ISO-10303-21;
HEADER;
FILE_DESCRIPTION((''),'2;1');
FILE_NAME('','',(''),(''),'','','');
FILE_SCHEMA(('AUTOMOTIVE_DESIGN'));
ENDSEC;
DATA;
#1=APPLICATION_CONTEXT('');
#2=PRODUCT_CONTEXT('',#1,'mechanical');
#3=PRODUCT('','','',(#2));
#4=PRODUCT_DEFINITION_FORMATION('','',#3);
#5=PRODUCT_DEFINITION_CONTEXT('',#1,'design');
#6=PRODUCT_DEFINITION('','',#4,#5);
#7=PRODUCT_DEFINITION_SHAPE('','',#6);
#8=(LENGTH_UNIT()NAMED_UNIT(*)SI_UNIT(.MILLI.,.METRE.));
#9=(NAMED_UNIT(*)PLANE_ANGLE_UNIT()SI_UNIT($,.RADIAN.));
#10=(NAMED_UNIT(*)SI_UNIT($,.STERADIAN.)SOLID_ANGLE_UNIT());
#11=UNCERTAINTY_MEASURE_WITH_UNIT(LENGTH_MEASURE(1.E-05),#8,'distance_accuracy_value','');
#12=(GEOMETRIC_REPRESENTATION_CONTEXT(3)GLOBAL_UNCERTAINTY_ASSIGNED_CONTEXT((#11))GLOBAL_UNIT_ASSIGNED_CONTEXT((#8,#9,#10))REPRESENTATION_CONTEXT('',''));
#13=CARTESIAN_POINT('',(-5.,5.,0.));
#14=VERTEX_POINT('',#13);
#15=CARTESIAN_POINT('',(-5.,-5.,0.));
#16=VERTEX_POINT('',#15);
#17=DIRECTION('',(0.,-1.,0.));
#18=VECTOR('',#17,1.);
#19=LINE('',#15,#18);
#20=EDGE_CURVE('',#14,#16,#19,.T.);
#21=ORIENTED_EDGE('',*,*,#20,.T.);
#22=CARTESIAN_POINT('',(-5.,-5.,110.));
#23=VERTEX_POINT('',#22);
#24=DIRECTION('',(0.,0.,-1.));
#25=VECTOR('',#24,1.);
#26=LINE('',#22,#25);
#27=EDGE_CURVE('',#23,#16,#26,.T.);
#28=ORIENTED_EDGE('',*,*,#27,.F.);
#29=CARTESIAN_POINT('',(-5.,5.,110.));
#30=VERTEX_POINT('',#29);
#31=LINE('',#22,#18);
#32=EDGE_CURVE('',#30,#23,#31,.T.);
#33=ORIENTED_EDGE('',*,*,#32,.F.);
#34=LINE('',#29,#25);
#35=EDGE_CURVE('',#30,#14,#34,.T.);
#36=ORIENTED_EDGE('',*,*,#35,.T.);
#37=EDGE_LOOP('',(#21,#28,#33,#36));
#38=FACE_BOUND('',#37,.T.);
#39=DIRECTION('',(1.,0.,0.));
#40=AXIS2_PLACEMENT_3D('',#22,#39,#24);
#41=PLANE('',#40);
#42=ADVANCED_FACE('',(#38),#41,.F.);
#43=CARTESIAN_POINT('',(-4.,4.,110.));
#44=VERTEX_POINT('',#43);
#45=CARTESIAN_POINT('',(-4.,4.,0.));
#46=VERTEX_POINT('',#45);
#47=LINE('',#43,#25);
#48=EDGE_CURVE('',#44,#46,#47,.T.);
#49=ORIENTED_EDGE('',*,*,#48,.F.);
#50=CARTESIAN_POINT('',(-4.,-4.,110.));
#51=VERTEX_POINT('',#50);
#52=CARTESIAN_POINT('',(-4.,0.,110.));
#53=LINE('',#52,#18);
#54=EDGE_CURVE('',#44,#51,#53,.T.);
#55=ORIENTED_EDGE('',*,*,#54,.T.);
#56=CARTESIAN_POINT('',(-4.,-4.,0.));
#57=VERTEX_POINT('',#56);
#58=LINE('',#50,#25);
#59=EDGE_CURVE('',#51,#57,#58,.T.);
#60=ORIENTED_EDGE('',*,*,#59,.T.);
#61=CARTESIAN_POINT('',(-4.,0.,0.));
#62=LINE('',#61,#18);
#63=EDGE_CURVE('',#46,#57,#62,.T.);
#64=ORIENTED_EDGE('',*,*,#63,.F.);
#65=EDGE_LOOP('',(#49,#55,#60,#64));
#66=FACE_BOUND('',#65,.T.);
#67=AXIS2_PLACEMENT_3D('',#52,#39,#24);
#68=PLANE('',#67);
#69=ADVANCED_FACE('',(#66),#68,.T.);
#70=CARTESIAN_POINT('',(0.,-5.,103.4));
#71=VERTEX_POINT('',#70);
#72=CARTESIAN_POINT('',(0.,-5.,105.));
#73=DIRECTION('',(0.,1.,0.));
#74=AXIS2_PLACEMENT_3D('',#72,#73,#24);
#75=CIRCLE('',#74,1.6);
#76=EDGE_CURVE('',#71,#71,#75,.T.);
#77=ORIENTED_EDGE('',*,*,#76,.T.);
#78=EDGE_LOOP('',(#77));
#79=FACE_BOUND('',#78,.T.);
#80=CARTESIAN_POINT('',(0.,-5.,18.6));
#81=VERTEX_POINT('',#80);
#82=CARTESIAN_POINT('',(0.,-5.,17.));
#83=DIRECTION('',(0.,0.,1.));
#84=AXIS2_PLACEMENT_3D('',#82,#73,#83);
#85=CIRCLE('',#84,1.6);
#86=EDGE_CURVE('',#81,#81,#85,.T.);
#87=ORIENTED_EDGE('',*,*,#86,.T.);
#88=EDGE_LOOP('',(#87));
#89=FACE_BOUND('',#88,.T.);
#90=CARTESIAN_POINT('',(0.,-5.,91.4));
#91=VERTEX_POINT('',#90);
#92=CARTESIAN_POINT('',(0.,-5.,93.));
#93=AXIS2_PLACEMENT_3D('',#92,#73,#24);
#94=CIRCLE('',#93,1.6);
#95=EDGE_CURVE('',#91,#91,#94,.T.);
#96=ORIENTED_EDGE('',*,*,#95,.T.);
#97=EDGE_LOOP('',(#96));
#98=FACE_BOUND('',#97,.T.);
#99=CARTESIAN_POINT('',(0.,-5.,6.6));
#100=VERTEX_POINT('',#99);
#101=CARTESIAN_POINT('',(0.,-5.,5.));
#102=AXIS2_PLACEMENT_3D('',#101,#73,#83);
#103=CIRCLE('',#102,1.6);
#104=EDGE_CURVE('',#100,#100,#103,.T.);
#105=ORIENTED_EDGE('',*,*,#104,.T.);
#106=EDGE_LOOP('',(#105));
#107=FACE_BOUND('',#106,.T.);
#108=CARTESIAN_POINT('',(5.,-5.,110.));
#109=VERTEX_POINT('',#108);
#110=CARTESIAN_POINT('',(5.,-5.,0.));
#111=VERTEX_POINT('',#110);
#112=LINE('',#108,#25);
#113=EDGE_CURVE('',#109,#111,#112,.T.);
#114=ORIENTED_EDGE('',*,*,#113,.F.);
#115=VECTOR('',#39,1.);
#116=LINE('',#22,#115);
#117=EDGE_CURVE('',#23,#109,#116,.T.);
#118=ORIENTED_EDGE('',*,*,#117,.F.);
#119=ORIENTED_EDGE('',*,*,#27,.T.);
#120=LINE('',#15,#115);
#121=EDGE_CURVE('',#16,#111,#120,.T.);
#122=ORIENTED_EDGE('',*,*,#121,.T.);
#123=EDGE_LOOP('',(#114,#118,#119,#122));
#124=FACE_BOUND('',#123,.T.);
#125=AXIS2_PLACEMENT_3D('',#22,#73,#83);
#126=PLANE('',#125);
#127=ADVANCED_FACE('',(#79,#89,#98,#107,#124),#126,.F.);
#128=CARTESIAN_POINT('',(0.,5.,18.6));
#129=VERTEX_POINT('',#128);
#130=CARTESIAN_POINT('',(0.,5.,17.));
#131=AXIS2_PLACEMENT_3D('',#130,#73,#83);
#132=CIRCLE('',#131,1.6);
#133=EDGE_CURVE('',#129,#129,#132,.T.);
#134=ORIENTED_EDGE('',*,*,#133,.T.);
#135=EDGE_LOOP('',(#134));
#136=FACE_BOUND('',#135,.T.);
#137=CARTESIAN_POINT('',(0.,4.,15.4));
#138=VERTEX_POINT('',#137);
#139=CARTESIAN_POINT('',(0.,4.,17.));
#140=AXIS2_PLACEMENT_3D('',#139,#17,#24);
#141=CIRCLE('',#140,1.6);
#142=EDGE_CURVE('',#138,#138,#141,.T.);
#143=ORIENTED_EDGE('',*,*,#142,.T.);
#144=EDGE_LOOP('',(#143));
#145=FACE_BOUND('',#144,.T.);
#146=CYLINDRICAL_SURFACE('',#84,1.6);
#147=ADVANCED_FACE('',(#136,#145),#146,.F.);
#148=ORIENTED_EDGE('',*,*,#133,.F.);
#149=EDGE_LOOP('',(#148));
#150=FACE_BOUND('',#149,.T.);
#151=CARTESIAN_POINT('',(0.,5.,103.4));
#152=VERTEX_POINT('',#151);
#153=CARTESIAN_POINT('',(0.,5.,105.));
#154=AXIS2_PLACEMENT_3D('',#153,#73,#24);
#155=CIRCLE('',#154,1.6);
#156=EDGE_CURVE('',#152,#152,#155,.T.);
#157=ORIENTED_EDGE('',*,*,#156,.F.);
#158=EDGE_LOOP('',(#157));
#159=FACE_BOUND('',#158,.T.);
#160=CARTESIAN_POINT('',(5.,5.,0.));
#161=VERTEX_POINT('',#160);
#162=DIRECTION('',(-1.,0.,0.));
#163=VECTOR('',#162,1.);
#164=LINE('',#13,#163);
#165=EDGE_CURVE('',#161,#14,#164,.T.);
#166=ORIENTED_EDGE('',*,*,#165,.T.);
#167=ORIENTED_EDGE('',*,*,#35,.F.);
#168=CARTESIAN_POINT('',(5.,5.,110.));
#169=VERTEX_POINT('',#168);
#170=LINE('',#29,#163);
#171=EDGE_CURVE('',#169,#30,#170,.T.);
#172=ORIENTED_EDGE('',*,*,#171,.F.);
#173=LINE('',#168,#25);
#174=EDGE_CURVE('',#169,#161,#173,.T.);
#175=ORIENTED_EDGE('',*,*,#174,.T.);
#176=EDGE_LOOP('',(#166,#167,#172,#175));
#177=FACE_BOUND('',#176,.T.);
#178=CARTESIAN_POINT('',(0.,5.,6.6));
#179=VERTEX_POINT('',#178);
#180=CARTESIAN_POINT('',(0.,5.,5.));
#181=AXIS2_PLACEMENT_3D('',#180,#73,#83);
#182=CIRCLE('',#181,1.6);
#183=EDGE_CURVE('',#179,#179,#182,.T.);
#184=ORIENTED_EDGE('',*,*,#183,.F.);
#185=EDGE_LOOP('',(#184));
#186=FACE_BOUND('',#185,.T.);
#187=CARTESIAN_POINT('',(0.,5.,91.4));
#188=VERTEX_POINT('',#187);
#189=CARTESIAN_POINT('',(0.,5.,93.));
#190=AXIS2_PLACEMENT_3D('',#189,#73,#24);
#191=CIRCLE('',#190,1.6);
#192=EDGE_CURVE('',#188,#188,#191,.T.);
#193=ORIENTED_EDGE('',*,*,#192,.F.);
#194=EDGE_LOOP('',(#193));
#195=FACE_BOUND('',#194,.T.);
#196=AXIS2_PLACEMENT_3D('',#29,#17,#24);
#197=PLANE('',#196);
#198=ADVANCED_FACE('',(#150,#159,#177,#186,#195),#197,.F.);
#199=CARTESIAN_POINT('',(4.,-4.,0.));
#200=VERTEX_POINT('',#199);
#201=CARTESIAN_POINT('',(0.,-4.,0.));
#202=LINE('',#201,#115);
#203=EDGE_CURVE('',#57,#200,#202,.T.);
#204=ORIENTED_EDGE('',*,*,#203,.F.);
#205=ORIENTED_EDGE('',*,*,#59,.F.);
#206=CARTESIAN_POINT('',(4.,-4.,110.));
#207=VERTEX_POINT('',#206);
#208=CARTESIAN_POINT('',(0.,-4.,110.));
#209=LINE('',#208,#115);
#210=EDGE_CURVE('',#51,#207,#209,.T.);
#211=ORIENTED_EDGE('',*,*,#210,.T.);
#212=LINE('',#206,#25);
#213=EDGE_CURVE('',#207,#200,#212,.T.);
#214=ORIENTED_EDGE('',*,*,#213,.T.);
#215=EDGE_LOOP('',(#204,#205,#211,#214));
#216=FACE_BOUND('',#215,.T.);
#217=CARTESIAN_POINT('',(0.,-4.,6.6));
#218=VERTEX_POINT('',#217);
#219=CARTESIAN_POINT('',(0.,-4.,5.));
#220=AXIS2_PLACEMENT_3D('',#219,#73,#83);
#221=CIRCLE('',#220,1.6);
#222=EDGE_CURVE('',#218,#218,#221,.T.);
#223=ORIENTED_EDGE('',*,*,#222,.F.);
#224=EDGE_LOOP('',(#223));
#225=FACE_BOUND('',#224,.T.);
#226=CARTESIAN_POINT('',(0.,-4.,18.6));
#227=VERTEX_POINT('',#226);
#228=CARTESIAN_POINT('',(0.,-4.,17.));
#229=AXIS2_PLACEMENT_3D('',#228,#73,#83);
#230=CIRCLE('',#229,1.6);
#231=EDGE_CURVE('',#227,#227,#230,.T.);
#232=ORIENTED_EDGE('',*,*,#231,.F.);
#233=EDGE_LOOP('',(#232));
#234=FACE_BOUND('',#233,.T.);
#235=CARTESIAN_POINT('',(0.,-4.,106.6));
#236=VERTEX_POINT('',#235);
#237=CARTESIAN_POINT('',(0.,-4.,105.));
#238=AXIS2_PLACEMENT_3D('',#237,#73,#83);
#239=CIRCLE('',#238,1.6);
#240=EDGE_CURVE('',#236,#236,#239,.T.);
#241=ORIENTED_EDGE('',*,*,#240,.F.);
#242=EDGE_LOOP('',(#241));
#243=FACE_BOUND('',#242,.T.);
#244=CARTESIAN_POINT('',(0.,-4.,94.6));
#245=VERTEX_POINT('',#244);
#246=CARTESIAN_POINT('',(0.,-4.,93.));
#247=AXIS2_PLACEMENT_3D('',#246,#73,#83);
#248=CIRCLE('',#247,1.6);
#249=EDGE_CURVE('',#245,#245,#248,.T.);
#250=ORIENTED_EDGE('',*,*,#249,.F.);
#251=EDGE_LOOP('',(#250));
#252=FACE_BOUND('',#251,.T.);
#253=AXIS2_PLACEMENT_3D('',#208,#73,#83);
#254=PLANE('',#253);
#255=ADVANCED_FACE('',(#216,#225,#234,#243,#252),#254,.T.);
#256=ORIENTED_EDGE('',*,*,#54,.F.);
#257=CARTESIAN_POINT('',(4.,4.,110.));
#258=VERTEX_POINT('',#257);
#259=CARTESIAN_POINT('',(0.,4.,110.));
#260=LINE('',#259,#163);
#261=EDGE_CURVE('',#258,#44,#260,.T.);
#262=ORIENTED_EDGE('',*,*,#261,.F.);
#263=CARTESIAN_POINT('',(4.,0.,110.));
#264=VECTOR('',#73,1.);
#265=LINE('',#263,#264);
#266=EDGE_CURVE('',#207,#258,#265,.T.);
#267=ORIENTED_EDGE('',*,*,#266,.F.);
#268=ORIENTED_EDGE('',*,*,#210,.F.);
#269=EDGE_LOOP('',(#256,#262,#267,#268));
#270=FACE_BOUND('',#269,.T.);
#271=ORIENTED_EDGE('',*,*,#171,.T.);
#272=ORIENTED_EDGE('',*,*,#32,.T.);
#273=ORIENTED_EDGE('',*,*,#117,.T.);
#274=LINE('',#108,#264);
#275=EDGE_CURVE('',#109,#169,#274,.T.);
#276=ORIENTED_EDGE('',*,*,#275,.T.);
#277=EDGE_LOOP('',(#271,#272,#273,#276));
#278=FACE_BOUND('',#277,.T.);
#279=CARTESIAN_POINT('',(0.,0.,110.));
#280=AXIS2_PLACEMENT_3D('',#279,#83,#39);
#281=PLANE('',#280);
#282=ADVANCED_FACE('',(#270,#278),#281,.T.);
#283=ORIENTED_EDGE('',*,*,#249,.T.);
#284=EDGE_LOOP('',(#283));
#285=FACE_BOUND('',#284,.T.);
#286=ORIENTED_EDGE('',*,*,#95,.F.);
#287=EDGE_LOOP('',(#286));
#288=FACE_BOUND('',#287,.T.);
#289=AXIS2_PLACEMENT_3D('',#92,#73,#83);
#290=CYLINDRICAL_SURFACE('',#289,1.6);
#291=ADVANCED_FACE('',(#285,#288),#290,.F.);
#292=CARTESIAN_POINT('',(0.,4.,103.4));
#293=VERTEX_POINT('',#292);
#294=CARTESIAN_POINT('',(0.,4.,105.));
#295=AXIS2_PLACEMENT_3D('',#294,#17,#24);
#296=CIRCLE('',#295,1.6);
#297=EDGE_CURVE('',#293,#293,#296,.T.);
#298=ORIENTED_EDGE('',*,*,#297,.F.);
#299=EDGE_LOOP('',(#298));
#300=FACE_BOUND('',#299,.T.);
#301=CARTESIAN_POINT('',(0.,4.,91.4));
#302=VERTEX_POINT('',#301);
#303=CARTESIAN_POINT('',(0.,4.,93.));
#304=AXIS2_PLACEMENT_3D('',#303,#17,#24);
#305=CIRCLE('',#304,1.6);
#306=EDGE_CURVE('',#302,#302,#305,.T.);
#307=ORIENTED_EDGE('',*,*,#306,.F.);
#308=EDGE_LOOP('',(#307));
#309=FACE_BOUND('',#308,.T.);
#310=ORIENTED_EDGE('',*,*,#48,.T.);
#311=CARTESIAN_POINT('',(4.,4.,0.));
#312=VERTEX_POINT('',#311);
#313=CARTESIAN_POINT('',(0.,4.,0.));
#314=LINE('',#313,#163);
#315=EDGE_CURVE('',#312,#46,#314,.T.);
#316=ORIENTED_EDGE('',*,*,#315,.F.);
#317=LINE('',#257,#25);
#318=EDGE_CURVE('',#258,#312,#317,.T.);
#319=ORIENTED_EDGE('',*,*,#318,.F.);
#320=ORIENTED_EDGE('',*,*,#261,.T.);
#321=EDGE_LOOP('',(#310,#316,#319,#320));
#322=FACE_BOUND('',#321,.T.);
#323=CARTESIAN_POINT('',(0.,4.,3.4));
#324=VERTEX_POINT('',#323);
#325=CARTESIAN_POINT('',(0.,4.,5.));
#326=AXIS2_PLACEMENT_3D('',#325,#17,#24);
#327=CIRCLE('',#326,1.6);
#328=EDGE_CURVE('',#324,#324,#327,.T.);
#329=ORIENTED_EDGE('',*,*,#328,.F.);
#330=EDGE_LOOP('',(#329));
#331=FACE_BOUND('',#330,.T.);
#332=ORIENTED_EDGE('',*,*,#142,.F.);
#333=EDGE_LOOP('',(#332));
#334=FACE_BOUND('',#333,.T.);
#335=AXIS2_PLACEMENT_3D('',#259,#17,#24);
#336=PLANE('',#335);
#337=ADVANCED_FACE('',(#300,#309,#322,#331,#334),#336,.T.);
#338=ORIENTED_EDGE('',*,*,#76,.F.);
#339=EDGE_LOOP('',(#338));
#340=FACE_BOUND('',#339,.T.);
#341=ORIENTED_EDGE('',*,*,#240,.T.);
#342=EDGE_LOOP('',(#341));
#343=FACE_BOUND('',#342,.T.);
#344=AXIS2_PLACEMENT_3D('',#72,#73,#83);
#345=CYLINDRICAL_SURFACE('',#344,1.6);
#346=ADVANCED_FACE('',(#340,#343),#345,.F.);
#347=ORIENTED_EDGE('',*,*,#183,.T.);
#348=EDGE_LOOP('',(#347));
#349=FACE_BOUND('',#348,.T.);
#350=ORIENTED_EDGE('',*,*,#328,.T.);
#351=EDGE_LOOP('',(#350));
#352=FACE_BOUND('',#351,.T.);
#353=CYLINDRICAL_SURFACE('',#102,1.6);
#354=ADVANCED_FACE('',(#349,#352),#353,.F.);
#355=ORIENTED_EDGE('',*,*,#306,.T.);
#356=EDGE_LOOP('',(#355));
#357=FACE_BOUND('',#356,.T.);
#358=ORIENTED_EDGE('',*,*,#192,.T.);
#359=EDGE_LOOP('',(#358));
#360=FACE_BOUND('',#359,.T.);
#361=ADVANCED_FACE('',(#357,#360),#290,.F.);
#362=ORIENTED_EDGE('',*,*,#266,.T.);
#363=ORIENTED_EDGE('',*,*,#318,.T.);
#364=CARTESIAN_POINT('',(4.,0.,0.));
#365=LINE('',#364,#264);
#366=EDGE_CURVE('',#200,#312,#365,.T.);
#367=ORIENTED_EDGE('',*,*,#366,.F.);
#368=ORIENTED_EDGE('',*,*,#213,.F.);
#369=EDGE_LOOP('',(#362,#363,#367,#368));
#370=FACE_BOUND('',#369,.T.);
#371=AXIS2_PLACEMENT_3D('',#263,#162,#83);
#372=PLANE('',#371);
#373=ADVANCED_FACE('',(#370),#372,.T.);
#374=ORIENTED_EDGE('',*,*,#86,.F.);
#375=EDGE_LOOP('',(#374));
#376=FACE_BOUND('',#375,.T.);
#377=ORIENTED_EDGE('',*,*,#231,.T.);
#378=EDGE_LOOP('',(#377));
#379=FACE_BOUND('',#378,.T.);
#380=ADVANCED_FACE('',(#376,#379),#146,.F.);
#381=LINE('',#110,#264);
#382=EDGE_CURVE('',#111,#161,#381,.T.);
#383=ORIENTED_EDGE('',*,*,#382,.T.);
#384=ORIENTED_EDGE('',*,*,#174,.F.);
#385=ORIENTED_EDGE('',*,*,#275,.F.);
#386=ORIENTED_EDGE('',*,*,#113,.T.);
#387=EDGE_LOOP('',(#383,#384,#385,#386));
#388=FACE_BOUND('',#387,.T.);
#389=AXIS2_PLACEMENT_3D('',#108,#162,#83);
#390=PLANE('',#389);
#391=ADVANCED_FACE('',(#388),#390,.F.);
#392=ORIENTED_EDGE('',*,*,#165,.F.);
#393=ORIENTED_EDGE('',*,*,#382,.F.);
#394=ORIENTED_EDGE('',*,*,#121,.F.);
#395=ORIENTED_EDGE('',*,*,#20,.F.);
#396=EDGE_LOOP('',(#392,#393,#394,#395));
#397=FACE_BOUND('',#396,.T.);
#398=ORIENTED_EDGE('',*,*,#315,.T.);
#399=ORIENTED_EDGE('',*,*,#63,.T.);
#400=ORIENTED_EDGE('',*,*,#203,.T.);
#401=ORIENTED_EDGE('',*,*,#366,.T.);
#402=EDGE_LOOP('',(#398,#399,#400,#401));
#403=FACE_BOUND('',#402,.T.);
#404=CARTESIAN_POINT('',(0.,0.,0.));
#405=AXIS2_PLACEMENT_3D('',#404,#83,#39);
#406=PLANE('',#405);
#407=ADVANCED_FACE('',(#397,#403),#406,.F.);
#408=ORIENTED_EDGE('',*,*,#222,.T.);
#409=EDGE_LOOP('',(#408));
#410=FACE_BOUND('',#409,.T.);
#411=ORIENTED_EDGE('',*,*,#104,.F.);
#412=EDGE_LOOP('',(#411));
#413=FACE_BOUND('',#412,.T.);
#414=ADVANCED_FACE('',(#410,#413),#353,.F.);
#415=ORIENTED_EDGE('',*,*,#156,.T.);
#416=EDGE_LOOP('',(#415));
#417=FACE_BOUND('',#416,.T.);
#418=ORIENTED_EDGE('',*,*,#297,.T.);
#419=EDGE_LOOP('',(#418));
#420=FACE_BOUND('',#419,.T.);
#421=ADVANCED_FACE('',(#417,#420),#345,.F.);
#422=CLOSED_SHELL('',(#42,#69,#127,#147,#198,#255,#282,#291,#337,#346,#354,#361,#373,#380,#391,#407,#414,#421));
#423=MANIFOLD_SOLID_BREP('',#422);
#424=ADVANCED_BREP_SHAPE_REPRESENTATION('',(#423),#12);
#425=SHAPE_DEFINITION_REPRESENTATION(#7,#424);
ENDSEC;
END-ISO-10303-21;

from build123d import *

# Parameters (mm, degrees)
SKETCH_282_W          = 10
SKETCH_282_H          = 10
SKETCH_282_W_2        = 8
SKETCH_282_H_2        = 8
EXTRUDE_339_DEPTH     = 110
SKETCH_411_R          = 1.6
CUT_EXTRUDE_780_DEPTH = 111.566721937


with BuildPart() as part:
    # Sketch 282 → Extrude 339 (new body)
    with BuildSketch(Plane.XY):
        Rectangle(SKETCH_282_W, SKETCH_282_H)
        Rectangle(SKETCH_282_W_2, SKETCH_282_H_2, mode=Mode.SUBTRACT)
    extrude(amount=EXTRUDE_339_DEPTH)

    # Sketch 411 → Cut-Extrude 780 (cut, through all)
    with BuildSketch(Plane(origin=(0, 5, 0), x_dir=(1, 0, 0), z_dir=(0, 1, 0))):
        with Locations(Location((0, -5, 0), (0, 0, 270))):
            Circle(SKETCH_411_R)
        with Locations(Location((0, -17, 0), (0, 0, 270))):
            Circle(SKETCH_411_R)
        with Locations(Location((0, -93, 0), (0, 0, 270))):
            Circle(SKETCH_411_R)
        with Locations(Location((0, -105, 0), (0, 0, 270))):
            Circle(SKETCH_411_R)
    extrude(amount=-CUT_EXTRUDE_780_DEPTH, mode=Mode.SUBTRACT)


solid = part.part
